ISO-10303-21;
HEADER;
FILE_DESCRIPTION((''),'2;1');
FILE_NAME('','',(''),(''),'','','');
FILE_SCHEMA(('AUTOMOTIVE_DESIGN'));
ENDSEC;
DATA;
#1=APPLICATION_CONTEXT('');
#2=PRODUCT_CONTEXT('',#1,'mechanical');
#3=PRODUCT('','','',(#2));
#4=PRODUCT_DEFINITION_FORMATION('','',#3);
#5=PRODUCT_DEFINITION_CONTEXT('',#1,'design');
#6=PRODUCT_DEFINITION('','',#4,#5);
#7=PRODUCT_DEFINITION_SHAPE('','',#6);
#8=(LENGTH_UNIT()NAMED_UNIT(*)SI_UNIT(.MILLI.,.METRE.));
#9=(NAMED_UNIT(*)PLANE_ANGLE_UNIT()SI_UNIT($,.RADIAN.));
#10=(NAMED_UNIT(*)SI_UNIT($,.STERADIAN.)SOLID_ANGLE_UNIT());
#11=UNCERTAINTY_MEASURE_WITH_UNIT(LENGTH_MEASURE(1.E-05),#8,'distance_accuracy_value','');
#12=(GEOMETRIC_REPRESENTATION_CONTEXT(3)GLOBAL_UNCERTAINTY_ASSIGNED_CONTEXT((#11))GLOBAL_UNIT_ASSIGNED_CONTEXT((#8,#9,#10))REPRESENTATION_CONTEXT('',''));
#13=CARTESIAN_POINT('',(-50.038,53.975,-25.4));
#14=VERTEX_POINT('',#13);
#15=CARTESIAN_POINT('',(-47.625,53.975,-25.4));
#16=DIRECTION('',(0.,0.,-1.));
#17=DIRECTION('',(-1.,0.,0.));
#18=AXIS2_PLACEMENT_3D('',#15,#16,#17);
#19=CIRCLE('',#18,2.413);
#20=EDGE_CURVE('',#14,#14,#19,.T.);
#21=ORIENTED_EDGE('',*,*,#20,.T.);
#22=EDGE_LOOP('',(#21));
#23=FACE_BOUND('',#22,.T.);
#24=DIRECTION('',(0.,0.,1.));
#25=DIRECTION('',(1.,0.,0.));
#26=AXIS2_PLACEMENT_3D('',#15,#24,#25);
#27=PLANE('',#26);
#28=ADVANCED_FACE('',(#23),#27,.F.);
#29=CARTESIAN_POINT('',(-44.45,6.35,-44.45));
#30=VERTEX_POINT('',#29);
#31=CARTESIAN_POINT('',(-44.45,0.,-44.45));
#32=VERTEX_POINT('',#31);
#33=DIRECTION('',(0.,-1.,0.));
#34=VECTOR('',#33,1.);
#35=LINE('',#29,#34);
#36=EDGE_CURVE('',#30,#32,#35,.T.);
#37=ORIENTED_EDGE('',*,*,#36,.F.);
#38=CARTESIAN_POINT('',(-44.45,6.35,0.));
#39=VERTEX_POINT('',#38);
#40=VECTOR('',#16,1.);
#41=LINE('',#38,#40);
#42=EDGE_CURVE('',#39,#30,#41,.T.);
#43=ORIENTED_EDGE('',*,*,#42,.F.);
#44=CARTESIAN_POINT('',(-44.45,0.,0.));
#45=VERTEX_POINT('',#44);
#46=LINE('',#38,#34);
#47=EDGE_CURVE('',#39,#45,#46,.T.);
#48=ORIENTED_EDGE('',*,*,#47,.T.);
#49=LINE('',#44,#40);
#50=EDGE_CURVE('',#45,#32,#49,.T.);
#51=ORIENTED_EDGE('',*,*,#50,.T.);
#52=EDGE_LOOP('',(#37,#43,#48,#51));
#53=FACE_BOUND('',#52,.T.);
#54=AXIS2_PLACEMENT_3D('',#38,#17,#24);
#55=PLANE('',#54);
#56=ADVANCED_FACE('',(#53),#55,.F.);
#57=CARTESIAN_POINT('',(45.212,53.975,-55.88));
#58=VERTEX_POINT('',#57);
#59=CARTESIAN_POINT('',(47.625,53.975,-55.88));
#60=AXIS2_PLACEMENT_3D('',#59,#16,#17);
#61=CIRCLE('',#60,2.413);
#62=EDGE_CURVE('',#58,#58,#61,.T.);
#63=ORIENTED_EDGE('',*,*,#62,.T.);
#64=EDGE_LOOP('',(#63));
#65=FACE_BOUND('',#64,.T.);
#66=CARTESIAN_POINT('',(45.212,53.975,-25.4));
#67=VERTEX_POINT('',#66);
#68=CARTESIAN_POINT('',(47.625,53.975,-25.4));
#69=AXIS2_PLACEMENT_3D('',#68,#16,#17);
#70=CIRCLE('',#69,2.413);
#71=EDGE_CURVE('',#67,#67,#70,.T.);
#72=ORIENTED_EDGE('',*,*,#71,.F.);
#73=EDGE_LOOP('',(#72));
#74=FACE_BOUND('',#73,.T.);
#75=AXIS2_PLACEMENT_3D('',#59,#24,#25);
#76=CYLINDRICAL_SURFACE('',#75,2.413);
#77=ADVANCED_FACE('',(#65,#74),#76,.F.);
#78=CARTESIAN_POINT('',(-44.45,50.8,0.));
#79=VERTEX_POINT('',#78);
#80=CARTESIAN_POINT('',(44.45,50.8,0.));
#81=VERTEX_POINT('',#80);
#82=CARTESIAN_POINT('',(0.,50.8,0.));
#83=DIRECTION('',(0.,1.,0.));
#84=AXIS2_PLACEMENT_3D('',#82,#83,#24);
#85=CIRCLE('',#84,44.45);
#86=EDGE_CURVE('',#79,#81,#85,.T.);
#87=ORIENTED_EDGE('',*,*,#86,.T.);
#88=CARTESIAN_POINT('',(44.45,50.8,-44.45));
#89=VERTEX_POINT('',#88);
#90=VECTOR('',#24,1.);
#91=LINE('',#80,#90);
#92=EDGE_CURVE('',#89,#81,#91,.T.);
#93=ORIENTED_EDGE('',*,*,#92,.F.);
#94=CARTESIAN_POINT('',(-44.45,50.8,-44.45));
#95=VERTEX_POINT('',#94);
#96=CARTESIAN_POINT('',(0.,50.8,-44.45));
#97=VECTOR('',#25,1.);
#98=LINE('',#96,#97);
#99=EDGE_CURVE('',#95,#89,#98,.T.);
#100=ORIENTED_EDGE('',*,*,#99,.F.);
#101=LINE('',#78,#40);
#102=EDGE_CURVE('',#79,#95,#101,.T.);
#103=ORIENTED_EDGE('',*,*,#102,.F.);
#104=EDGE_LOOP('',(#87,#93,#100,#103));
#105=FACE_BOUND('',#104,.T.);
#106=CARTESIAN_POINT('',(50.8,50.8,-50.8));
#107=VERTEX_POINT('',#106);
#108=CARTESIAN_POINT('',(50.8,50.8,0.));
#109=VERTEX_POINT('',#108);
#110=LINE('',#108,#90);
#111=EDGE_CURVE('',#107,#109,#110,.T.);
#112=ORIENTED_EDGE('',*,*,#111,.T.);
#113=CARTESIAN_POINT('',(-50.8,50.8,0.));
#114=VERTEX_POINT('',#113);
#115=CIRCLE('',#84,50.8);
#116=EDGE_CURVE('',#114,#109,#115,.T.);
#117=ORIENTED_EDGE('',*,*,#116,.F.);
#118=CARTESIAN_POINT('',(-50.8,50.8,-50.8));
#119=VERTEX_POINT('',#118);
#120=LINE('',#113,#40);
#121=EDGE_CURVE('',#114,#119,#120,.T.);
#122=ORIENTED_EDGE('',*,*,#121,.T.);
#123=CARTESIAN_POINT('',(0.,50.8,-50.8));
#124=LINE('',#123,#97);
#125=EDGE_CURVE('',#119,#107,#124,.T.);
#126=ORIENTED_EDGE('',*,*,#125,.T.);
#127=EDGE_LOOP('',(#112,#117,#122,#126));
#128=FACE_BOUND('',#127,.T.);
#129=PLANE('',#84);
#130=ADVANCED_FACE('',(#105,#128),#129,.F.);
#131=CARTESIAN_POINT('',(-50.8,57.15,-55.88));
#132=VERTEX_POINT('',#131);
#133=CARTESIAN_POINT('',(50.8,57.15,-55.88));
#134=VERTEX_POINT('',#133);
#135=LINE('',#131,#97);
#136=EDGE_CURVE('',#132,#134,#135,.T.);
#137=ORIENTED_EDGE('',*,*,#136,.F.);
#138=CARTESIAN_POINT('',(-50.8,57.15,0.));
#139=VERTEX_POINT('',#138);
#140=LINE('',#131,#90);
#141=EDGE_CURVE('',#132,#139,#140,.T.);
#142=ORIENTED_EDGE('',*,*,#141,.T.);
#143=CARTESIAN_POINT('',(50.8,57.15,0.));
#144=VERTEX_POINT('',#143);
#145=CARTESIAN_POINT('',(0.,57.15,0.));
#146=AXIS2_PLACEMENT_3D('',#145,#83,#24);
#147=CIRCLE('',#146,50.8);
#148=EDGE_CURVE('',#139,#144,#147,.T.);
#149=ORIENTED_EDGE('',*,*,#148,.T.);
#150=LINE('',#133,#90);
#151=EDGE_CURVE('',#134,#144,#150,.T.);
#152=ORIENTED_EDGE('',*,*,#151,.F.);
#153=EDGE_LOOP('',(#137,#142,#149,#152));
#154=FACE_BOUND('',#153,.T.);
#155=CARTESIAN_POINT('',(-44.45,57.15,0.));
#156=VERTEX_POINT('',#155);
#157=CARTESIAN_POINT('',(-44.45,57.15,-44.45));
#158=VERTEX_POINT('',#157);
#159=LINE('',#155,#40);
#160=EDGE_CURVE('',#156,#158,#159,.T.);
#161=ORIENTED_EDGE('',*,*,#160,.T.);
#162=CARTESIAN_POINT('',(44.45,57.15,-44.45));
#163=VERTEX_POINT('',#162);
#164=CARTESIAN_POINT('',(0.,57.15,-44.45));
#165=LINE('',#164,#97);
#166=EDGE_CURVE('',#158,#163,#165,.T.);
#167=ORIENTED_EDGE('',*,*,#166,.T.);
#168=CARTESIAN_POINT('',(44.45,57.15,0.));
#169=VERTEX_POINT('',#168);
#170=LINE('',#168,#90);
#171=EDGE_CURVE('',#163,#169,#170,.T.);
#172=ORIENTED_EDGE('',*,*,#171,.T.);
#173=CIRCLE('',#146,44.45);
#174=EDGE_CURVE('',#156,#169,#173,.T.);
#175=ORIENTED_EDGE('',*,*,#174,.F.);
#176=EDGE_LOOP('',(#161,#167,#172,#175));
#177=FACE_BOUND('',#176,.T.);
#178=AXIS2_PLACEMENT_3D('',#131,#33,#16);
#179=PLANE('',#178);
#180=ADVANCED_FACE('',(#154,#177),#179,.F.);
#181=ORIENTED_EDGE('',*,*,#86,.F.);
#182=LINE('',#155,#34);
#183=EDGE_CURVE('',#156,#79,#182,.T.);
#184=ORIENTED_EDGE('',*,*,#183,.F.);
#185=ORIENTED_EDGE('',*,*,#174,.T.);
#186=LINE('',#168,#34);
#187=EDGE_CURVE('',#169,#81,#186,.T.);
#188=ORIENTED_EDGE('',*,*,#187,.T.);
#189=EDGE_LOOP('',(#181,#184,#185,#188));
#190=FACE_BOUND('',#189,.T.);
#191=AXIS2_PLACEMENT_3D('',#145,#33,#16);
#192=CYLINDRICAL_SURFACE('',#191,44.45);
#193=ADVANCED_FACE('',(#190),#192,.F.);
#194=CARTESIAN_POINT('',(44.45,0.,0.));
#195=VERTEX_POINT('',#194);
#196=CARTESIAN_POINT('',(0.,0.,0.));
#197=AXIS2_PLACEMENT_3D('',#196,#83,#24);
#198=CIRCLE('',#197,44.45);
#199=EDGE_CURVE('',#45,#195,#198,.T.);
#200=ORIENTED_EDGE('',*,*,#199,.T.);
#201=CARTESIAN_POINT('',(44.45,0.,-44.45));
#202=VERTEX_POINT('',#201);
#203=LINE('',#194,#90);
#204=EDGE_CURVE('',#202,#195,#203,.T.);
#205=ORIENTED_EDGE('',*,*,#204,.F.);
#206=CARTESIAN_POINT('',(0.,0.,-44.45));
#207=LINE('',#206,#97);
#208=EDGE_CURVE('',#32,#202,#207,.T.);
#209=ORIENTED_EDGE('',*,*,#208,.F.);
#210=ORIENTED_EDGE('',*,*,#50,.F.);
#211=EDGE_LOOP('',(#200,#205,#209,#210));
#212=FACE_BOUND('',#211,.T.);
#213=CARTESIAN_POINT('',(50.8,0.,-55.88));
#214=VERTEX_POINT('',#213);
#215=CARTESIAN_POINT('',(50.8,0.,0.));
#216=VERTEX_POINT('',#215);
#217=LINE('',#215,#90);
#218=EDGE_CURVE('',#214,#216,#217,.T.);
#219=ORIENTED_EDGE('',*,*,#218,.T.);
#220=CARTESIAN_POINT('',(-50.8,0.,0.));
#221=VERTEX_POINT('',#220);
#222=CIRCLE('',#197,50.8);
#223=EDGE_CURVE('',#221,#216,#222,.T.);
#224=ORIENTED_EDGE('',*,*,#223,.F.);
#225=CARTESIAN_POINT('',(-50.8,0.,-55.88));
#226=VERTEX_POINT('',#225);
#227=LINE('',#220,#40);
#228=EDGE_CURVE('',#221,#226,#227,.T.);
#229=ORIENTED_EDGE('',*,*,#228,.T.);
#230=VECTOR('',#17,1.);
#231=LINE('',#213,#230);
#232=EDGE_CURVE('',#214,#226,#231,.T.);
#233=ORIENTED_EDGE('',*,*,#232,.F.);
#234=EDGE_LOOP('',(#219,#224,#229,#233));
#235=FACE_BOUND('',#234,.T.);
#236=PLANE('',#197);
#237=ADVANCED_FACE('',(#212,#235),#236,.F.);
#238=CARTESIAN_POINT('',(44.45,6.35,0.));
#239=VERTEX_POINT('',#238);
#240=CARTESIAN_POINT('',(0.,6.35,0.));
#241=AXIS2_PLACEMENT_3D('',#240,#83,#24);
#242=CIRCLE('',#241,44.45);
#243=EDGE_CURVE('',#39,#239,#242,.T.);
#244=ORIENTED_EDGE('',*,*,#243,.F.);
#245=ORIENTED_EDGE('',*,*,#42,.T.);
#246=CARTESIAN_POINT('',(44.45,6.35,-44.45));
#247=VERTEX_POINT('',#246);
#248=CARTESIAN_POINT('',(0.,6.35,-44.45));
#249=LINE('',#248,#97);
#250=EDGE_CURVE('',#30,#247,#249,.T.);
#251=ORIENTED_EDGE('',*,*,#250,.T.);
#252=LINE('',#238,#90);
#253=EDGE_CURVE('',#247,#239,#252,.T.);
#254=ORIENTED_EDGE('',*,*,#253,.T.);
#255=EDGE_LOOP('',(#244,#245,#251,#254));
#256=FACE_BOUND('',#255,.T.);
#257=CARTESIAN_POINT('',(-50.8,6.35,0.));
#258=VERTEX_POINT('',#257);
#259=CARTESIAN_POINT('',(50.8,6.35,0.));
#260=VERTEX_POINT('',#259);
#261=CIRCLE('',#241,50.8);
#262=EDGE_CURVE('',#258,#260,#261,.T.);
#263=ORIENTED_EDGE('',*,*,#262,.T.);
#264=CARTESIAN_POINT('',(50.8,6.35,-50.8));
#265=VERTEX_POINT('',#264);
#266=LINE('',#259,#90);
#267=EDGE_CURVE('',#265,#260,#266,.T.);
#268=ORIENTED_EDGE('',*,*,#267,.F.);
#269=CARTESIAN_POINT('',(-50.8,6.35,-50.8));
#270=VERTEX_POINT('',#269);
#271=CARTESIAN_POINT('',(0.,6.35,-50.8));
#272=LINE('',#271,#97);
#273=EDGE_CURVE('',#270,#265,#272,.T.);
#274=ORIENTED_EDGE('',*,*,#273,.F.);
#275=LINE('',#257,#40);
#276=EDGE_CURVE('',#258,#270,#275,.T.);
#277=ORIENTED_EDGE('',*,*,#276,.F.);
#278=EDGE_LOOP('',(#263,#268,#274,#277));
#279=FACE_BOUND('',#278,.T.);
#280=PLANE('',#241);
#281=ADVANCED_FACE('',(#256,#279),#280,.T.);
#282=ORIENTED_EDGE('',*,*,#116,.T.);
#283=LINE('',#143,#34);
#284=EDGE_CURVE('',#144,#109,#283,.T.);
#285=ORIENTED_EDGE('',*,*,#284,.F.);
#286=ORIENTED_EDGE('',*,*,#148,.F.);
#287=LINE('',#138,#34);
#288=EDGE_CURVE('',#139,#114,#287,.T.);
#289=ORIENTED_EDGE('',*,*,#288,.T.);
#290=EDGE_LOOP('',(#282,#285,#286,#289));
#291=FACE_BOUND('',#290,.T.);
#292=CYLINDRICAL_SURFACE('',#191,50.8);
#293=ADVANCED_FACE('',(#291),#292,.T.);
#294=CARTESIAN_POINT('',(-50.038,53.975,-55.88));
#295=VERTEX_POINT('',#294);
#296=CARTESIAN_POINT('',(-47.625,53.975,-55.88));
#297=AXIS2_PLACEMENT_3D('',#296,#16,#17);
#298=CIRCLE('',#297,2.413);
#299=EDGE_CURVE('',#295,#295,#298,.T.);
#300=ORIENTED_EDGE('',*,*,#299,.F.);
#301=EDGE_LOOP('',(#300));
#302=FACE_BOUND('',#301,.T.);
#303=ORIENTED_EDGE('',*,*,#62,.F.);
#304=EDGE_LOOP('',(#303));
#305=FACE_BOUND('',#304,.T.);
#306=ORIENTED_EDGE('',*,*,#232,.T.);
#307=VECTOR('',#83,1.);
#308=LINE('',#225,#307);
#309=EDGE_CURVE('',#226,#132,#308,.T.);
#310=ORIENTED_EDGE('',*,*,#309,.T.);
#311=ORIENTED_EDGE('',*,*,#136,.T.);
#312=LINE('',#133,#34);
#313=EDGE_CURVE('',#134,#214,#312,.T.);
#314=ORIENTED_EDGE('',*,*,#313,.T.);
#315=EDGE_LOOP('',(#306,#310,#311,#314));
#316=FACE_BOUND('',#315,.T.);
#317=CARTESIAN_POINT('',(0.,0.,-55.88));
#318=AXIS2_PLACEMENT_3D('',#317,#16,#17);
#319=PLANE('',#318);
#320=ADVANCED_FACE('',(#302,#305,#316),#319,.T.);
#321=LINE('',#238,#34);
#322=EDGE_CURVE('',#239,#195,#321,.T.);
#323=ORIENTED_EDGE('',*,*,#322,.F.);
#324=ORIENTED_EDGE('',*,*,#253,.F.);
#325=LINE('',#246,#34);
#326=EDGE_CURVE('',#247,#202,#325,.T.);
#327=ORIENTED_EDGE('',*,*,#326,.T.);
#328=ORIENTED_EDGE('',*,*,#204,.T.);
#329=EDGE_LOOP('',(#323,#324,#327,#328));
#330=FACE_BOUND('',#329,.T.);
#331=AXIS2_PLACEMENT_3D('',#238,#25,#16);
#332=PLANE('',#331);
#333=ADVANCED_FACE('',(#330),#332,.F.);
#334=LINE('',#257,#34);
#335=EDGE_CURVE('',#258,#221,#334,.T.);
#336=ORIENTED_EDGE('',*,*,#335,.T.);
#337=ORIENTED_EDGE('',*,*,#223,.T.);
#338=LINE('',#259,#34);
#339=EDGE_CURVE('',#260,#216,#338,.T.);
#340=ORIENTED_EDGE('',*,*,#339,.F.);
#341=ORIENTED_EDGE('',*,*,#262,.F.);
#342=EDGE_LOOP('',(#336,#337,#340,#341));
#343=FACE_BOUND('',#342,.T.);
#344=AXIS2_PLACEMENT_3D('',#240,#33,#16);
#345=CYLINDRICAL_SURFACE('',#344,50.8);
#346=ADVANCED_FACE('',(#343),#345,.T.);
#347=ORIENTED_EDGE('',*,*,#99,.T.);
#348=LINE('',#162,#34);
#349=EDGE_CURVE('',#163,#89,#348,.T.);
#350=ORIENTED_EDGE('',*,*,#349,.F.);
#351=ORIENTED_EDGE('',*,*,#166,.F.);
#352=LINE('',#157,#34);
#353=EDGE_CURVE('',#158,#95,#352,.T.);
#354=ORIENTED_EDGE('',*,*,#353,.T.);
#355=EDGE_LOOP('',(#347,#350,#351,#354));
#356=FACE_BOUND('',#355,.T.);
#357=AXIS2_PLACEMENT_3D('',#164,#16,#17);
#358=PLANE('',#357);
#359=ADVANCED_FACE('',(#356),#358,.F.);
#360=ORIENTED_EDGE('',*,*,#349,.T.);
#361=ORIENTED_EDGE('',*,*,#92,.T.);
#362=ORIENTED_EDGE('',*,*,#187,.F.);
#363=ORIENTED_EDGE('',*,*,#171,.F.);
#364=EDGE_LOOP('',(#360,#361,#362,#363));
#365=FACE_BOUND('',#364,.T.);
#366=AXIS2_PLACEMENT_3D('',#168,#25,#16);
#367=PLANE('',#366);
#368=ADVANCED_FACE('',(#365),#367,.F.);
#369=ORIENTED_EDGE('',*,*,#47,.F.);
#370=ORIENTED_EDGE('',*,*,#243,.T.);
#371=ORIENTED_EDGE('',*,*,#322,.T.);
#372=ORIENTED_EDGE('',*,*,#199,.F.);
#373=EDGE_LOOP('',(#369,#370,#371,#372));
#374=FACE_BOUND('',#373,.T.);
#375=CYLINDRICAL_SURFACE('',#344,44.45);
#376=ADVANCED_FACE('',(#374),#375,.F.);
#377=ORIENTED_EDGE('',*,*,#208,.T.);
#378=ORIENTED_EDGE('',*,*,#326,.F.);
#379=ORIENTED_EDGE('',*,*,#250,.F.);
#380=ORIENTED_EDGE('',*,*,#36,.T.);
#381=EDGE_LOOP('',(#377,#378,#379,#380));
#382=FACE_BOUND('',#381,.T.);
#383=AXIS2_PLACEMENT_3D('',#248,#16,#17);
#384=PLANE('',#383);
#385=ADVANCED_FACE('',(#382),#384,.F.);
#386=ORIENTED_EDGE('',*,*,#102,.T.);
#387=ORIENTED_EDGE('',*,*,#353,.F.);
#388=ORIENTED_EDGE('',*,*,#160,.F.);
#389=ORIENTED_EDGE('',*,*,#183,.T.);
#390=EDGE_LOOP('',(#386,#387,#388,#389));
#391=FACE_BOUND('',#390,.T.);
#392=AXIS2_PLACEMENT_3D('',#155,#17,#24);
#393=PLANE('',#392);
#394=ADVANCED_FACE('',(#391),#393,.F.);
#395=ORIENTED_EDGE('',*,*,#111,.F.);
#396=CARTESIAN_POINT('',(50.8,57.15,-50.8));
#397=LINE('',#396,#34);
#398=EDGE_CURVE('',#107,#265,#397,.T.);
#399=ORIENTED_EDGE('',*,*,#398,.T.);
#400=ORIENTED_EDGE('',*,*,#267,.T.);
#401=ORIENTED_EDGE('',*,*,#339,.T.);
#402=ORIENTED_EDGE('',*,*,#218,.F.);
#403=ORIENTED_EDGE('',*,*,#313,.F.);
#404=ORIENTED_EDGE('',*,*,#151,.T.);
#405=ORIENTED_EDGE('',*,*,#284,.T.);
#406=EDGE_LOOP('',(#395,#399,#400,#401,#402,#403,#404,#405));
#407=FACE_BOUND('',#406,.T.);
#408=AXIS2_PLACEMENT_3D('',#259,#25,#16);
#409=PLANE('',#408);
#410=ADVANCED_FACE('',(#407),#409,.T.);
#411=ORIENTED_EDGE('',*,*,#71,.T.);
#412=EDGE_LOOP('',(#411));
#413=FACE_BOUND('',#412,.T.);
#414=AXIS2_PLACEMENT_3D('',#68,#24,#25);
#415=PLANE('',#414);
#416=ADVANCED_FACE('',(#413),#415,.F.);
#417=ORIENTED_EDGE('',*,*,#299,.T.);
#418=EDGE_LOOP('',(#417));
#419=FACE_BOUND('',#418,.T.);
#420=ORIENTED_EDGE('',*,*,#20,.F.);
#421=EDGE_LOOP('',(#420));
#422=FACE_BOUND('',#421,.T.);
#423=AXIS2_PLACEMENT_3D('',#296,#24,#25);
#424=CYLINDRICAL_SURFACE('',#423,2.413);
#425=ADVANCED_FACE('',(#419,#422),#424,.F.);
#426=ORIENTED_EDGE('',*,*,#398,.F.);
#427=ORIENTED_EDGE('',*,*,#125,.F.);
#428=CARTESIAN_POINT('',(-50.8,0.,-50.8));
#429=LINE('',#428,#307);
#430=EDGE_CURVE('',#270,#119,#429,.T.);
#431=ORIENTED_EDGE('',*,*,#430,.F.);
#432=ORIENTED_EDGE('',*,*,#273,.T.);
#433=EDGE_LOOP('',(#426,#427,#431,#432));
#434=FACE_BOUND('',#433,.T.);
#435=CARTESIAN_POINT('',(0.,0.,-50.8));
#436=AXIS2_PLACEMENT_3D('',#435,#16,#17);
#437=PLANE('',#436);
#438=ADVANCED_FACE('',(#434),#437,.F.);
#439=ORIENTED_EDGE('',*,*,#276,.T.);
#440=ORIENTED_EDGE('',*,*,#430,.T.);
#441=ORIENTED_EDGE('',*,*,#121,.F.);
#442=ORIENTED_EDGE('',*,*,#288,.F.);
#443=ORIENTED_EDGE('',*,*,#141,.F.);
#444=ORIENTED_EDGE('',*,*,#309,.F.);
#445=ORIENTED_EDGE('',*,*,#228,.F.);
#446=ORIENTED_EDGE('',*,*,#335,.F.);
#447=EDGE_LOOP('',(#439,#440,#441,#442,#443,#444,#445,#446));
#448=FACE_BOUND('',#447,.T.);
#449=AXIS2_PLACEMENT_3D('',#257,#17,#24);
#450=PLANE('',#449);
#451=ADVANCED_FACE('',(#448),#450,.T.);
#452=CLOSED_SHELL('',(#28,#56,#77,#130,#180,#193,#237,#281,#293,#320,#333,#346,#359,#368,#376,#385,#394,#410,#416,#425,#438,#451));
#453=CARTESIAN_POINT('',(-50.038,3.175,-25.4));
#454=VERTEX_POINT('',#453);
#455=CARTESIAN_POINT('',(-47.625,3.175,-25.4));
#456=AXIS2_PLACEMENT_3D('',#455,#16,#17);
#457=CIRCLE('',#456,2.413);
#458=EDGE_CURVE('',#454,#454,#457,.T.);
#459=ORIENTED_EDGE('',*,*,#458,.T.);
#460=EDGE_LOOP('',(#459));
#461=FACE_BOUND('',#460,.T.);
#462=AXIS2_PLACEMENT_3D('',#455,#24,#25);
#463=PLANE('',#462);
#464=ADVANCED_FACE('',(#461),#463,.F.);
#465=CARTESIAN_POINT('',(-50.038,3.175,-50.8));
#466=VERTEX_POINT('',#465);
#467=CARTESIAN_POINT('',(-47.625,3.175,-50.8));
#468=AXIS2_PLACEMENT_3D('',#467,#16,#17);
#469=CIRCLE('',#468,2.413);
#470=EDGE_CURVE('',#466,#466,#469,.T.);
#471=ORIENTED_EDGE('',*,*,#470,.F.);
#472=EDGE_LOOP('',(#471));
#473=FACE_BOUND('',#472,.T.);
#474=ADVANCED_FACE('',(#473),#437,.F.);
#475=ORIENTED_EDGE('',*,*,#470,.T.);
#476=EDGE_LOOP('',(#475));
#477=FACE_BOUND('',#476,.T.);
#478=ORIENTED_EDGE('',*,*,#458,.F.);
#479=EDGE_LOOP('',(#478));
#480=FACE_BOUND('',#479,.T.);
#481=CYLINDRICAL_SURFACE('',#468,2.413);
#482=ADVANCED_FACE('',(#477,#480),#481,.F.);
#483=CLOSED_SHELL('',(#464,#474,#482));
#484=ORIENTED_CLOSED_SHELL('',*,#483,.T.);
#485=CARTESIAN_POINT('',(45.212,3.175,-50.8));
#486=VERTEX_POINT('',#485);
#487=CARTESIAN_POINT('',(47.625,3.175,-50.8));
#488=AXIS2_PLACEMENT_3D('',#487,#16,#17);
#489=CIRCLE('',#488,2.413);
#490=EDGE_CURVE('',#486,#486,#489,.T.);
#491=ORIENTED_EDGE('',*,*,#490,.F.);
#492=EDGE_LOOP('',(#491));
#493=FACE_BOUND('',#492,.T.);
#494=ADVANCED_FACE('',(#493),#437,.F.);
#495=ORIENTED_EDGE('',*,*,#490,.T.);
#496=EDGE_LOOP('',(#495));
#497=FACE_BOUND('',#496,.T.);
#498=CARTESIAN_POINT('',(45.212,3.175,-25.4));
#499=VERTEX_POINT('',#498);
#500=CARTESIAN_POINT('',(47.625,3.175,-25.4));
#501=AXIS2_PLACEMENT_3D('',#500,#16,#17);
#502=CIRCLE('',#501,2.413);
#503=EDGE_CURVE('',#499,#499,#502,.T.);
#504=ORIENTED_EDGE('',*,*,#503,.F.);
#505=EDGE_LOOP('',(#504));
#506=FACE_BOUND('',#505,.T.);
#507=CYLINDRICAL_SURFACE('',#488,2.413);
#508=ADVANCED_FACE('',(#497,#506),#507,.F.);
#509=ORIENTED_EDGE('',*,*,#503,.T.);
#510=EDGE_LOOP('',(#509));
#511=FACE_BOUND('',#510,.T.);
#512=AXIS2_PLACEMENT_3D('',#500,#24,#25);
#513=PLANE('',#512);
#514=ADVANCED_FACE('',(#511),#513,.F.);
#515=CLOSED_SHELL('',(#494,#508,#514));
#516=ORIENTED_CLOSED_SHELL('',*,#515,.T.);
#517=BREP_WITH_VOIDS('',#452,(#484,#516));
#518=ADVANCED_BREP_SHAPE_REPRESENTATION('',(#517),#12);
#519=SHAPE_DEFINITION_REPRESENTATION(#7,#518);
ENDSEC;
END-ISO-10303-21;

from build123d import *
from build123d.topology import SkipClean

# Parameters (mm, degrees)
EXTRUSION1_DEPTH           = 6.35
HOLE1_D                    = 4.826
HOLE1_DEPTH                = 25.4
RECTANGULAR_PATTERN1_COUNT = 2
RECTANGULAR_PATTERN1_PITCH = 50.8
SKETCH6_W                  = 101.6
SKETCH6_H                  = 57.15
SKETCH6_R                  = 2.413
EXTRUSION3_DEPTH           = 5.08


with BuildPart() as part:
    # Sketch1 → Extrusion1 (new body)
    with BuildSketch(Plane(origin=(0, 0, 0), x_dir=(-1, 0, 0), z_dir=(0, 1, 0))):
        with BuildLine():
            Line((-50.8, -50.8), (50.8, -50.8))
            Line((50.8, -50.8), (50.8, 0))
            ThreePointArc((50.8, 0), (0, 50.8), (-50.8, 0))
            Line((-50.8, 0), (-50.8, -50.8))
        make_face()
        with BuildLine():
            Line((44.45, 0), (44.45, -44.45))
            Line((44.45, -44.45), (-44.45, -44.45))
            Line((-44.45, -44.45), (-44.45, 0))
            ThreePointArc((-44.45, 0), (0, 44.45), (44.45, 0))
        make_face(mode=Mode.SUBTRACT)
    extrude(amount=EXTRUSION1_DEPTH)

    # Hole1
    with Locations(Plane(origin=(0, 0, -50.8), x_dir=(-1, 0, 0), z_dir=(0, 0, -1))):
        with Locations((-47.625, 3.175), (47.625, 3.175)):
            Hole(HOLE1_D / 2, depth=HOLE1_DEPTH)


with BuildPart() as rectangular_pattern1_1:
    # Rectangular Pattern1: pattern copy
    add(part.part.moved(Location(Vector(0, 1, 0) * (1 * RECTANGULAR_PATTERN1_PITCH))))


with BuildPart() as part_1:
    with SkipClean():  # the faces are left unmerged after this step: merging them gives an invalid solid
        add(part.part)

        add(rectangular_pattern1_1.part)  # Extrusion3 merges Rectangular Pattern1_1
        # Sketch6 → Extrusion3 (add)
        with BuildSketch(Plane(origin=(0, 0, -50.8), x_dir=(-1, 0, 0), z_dir=(0, 0, -1))):
            with Locations((0, 28.575)):
                Rectangle(SKETCH6_W, SKETCH6_H)
            with Locations((-47.625, 53.975)):
                Circle(SKETCH6_R, mode=Mode.SUBTRACT)
            with Locations((47.625, 53.975)):
                Circle(SKETCH6_R, mode=Mode.SUBTRACT)
        extrude(amount=EXTRUSION3_DEPTH)


solid = part_1.part
